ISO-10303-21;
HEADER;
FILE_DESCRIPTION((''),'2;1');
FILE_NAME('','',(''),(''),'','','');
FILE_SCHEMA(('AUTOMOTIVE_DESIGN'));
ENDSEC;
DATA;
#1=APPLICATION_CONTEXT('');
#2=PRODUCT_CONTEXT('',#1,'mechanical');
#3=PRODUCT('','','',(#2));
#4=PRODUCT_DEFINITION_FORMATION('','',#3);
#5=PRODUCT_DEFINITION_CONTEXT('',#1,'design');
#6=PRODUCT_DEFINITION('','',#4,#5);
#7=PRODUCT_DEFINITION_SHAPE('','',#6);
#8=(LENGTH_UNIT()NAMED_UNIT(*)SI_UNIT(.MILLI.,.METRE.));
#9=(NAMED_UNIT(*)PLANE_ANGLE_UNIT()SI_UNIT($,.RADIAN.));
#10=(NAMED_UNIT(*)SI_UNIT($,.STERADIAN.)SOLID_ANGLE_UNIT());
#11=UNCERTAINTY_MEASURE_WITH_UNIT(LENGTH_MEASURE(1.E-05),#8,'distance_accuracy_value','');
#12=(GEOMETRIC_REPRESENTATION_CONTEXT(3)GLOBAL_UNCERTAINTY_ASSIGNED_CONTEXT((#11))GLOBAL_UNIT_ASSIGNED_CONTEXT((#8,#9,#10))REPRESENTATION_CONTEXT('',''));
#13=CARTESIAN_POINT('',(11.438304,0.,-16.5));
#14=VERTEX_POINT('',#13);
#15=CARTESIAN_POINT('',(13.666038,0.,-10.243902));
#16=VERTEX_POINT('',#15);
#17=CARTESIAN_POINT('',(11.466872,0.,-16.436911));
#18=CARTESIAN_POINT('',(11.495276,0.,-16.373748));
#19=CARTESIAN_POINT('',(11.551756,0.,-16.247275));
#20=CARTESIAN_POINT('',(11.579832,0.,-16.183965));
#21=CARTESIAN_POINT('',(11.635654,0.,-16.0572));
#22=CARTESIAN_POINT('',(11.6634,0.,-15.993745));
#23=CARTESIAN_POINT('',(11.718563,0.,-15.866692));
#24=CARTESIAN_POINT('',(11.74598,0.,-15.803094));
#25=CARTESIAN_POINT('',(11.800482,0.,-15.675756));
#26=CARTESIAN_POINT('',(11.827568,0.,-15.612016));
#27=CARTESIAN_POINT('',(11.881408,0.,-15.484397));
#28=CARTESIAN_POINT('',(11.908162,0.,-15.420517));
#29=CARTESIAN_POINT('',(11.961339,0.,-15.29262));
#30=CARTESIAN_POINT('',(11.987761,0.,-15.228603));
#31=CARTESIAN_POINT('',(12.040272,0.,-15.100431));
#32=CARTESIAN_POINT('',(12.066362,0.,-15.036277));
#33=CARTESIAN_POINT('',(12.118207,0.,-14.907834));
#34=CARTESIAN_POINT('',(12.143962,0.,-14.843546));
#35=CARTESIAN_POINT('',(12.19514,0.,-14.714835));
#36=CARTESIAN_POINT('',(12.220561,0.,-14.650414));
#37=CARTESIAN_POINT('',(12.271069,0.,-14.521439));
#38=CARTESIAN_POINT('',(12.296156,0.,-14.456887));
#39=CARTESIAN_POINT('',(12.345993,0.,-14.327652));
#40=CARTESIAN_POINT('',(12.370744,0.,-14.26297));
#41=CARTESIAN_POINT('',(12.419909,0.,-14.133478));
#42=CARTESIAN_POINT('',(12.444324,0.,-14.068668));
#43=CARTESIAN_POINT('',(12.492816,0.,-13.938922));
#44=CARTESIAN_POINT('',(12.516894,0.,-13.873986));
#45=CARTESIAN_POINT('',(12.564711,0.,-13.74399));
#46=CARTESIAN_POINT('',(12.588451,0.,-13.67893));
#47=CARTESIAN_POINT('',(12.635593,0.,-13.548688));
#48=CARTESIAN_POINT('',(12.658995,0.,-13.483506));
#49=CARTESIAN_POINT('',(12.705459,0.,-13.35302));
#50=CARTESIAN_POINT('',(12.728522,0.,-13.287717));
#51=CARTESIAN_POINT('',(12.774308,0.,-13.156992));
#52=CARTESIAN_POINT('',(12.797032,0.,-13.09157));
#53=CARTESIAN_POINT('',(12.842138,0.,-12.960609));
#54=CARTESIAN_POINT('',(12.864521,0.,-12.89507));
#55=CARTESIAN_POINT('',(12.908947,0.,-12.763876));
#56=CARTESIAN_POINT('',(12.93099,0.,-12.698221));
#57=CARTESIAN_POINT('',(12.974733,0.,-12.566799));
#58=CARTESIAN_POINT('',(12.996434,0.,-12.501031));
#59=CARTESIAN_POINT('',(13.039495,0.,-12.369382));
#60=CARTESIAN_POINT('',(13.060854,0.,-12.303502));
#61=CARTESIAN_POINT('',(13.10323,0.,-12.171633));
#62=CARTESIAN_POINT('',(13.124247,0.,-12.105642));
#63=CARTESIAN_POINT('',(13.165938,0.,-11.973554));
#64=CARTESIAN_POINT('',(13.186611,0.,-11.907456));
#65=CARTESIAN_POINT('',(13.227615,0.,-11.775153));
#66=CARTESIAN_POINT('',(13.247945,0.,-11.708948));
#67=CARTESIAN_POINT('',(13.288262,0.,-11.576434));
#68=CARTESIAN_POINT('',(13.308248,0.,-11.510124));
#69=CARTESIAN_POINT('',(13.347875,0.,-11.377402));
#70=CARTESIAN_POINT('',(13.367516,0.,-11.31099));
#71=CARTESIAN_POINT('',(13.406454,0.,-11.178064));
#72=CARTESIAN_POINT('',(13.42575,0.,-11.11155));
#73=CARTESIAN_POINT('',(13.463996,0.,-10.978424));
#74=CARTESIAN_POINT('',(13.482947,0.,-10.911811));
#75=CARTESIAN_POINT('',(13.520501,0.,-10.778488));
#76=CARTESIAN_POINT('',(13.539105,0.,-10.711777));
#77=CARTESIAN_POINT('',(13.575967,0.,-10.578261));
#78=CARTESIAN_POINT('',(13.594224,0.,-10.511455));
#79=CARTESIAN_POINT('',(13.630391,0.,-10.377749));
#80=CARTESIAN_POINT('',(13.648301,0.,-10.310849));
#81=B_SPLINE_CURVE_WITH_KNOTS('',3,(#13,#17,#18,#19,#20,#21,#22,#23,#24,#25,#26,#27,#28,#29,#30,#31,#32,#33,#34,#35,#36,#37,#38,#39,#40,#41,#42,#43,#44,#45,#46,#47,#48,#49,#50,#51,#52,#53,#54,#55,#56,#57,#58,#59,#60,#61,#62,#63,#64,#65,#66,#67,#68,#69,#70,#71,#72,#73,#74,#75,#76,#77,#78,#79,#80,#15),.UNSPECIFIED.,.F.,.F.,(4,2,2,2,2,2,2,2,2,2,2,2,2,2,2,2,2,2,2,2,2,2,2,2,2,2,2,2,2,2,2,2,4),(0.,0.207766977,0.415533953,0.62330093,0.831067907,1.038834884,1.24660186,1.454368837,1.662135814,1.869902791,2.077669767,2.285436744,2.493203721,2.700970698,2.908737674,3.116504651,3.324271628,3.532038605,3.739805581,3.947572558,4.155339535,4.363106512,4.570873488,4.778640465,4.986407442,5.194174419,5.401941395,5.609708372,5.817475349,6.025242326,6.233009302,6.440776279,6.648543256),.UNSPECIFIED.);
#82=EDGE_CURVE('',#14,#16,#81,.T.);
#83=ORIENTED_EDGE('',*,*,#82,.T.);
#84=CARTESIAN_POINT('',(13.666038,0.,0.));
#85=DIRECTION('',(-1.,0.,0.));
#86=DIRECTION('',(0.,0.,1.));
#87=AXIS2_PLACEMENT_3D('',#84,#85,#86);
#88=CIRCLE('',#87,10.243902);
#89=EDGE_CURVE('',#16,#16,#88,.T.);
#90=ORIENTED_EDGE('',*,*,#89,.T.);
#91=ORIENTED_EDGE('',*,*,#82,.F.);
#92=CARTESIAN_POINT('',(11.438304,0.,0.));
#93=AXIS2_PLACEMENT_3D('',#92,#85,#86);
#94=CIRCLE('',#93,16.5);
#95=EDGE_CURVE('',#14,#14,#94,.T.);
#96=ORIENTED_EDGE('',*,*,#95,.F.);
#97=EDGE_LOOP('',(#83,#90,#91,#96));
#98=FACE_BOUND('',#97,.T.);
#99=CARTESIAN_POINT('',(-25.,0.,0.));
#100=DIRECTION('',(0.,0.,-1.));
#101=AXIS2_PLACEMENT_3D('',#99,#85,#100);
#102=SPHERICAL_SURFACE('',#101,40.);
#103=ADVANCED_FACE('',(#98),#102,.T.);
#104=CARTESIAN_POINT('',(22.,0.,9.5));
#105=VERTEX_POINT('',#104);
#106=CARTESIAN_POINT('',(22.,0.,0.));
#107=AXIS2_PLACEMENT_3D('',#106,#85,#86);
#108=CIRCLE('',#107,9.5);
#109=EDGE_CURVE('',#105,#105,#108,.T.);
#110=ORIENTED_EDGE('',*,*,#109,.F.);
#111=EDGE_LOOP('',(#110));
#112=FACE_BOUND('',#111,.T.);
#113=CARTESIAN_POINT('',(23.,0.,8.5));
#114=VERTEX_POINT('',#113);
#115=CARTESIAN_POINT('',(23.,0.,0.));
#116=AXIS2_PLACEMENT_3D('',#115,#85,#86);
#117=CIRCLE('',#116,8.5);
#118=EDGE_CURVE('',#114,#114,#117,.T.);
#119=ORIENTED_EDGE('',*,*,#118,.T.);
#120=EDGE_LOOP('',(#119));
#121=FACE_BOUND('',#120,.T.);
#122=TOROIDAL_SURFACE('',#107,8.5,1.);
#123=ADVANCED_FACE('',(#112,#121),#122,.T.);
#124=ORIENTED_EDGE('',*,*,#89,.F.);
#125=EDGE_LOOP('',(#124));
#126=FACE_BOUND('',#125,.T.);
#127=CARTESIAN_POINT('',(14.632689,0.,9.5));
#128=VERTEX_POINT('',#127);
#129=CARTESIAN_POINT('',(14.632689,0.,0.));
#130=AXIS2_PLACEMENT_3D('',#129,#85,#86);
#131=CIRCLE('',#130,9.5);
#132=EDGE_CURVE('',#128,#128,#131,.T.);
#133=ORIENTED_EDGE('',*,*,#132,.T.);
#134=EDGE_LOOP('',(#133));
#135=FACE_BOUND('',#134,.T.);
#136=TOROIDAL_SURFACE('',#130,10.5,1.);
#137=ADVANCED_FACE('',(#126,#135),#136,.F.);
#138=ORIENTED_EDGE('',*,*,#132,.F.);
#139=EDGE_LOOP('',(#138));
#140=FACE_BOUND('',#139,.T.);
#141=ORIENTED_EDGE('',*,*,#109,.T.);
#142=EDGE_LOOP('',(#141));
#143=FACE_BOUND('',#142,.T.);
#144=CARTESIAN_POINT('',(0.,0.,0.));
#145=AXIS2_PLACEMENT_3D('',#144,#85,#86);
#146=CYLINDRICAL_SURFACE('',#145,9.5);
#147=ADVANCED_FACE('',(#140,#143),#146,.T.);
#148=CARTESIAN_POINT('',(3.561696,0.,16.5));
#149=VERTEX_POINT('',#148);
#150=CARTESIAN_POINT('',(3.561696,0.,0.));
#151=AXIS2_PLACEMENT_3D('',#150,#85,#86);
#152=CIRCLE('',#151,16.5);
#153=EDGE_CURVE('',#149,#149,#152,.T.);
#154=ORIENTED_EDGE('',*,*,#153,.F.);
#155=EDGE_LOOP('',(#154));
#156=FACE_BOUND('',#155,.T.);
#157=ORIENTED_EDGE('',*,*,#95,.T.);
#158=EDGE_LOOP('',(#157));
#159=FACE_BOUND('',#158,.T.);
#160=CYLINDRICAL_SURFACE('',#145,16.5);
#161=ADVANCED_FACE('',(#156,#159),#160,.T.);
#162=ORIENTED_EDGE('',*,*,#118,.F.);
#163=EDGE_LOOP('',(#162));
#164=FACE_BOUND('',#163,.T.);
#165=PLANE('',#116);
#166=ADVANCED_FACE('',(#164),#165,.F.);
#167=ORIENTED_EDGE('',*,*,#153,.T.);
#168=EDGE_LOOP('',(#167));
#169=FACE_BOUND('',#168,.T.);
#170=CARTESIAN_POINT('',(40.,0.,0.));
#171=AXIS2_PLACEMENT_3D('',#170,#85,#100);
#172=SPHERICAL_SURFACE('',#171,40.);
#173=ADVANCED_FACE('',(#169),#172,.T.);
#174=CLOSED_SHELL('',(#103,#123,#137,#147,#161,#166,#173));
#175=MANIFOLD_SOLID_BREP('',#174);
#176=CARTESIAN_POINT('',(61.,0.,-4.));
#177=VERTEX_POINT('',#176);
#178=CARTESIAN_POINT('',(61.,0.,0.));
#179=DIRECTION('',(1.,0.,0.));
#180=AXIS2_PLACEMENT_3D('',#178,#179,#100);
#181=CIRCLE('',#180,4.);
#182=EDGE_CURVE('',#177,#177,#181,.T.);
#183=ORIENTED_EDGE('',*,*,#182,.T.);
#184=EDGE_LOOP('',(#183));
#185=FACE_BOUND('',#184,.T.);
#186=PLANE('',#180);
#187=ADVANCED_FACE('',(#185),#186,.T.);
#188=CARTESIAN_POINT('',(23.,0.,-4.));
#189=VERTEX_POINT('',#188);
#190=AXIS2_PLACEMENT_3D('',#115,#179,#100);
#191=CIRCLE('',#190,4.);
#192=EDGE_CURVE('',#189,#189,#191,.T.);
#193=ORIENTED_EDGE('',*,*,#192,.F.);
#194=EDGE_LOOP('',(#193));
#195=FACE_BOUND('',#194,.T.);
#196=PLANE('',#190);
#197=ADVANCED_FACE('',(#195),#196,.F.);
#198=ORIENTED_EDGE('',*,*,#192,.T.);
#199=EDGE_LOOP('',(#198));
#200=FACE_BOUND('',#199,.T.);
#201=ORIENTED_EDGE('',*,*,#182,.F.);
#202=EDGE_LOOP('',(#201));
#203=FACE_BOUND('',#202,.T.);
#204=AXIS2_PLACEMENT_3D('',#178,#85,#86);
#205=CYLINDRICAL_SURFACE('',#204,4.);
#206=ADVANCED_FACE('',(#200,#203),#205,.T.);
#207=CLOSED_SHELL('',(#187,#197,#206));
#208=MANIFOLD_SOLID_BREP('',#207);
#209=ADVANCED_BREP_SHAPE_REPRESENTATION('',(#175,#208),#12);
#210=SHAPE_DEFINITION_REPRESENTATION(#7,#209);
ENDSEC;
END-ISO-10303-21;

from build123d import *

# Parameters (mm, degrees)
SKETCH2_R           = 4
BOSS_EXTRUDE1_DEPTH = 38


with BuildPart() as part:
    # Sketch1 → Revolve1 (revolve)
    with BuildSketch(Plane(origin=(0, 0, 0), x_dir=(1, 0, 0), z_dir=(0, 1, 0))):
        with BuildLine():
            Line((3.561695978, 16.5), (11.438304022, 16.5))
            ThreePointArc((11.438304022, 16.5), (12.682226863, 13.418262877), (13.666037589, 10.243902439))
            ThreePointArc((13.666037589, 10.243902439), (14.022810492, 9.707504713), (14.632688529, 9.5))
            Line((14.632688529, 9.5), (22, 9.5))
            ThreePointArc((22, 9.5), (22.707106781, 9.207106781), (23, 8.5))
            Line((23, 8.5), (23, 0))
            Line((23, 0), (0, 0))
            ThreePointArc((0, 0), (0.900561635, 8.440018931), (3.561695978, 16.5))
        make_face()
    revolve(axis=Axis((0, 0, 0), (1, 0, 0)))


with BuildPart() as body_2:
    # Sketch2 → Boss-Extrude1 (new body)
    with BuildSketch(Plane(origin=(23, 0, 0), x_dir=(0, 0, -1), z_dir=(1, 0, 0))):
        Circle(SKETCH2_R)
    extrude(amount=BOSS_EXTRUDE1_DEPTH)


solid = Compound([part.part, body_2.part])
